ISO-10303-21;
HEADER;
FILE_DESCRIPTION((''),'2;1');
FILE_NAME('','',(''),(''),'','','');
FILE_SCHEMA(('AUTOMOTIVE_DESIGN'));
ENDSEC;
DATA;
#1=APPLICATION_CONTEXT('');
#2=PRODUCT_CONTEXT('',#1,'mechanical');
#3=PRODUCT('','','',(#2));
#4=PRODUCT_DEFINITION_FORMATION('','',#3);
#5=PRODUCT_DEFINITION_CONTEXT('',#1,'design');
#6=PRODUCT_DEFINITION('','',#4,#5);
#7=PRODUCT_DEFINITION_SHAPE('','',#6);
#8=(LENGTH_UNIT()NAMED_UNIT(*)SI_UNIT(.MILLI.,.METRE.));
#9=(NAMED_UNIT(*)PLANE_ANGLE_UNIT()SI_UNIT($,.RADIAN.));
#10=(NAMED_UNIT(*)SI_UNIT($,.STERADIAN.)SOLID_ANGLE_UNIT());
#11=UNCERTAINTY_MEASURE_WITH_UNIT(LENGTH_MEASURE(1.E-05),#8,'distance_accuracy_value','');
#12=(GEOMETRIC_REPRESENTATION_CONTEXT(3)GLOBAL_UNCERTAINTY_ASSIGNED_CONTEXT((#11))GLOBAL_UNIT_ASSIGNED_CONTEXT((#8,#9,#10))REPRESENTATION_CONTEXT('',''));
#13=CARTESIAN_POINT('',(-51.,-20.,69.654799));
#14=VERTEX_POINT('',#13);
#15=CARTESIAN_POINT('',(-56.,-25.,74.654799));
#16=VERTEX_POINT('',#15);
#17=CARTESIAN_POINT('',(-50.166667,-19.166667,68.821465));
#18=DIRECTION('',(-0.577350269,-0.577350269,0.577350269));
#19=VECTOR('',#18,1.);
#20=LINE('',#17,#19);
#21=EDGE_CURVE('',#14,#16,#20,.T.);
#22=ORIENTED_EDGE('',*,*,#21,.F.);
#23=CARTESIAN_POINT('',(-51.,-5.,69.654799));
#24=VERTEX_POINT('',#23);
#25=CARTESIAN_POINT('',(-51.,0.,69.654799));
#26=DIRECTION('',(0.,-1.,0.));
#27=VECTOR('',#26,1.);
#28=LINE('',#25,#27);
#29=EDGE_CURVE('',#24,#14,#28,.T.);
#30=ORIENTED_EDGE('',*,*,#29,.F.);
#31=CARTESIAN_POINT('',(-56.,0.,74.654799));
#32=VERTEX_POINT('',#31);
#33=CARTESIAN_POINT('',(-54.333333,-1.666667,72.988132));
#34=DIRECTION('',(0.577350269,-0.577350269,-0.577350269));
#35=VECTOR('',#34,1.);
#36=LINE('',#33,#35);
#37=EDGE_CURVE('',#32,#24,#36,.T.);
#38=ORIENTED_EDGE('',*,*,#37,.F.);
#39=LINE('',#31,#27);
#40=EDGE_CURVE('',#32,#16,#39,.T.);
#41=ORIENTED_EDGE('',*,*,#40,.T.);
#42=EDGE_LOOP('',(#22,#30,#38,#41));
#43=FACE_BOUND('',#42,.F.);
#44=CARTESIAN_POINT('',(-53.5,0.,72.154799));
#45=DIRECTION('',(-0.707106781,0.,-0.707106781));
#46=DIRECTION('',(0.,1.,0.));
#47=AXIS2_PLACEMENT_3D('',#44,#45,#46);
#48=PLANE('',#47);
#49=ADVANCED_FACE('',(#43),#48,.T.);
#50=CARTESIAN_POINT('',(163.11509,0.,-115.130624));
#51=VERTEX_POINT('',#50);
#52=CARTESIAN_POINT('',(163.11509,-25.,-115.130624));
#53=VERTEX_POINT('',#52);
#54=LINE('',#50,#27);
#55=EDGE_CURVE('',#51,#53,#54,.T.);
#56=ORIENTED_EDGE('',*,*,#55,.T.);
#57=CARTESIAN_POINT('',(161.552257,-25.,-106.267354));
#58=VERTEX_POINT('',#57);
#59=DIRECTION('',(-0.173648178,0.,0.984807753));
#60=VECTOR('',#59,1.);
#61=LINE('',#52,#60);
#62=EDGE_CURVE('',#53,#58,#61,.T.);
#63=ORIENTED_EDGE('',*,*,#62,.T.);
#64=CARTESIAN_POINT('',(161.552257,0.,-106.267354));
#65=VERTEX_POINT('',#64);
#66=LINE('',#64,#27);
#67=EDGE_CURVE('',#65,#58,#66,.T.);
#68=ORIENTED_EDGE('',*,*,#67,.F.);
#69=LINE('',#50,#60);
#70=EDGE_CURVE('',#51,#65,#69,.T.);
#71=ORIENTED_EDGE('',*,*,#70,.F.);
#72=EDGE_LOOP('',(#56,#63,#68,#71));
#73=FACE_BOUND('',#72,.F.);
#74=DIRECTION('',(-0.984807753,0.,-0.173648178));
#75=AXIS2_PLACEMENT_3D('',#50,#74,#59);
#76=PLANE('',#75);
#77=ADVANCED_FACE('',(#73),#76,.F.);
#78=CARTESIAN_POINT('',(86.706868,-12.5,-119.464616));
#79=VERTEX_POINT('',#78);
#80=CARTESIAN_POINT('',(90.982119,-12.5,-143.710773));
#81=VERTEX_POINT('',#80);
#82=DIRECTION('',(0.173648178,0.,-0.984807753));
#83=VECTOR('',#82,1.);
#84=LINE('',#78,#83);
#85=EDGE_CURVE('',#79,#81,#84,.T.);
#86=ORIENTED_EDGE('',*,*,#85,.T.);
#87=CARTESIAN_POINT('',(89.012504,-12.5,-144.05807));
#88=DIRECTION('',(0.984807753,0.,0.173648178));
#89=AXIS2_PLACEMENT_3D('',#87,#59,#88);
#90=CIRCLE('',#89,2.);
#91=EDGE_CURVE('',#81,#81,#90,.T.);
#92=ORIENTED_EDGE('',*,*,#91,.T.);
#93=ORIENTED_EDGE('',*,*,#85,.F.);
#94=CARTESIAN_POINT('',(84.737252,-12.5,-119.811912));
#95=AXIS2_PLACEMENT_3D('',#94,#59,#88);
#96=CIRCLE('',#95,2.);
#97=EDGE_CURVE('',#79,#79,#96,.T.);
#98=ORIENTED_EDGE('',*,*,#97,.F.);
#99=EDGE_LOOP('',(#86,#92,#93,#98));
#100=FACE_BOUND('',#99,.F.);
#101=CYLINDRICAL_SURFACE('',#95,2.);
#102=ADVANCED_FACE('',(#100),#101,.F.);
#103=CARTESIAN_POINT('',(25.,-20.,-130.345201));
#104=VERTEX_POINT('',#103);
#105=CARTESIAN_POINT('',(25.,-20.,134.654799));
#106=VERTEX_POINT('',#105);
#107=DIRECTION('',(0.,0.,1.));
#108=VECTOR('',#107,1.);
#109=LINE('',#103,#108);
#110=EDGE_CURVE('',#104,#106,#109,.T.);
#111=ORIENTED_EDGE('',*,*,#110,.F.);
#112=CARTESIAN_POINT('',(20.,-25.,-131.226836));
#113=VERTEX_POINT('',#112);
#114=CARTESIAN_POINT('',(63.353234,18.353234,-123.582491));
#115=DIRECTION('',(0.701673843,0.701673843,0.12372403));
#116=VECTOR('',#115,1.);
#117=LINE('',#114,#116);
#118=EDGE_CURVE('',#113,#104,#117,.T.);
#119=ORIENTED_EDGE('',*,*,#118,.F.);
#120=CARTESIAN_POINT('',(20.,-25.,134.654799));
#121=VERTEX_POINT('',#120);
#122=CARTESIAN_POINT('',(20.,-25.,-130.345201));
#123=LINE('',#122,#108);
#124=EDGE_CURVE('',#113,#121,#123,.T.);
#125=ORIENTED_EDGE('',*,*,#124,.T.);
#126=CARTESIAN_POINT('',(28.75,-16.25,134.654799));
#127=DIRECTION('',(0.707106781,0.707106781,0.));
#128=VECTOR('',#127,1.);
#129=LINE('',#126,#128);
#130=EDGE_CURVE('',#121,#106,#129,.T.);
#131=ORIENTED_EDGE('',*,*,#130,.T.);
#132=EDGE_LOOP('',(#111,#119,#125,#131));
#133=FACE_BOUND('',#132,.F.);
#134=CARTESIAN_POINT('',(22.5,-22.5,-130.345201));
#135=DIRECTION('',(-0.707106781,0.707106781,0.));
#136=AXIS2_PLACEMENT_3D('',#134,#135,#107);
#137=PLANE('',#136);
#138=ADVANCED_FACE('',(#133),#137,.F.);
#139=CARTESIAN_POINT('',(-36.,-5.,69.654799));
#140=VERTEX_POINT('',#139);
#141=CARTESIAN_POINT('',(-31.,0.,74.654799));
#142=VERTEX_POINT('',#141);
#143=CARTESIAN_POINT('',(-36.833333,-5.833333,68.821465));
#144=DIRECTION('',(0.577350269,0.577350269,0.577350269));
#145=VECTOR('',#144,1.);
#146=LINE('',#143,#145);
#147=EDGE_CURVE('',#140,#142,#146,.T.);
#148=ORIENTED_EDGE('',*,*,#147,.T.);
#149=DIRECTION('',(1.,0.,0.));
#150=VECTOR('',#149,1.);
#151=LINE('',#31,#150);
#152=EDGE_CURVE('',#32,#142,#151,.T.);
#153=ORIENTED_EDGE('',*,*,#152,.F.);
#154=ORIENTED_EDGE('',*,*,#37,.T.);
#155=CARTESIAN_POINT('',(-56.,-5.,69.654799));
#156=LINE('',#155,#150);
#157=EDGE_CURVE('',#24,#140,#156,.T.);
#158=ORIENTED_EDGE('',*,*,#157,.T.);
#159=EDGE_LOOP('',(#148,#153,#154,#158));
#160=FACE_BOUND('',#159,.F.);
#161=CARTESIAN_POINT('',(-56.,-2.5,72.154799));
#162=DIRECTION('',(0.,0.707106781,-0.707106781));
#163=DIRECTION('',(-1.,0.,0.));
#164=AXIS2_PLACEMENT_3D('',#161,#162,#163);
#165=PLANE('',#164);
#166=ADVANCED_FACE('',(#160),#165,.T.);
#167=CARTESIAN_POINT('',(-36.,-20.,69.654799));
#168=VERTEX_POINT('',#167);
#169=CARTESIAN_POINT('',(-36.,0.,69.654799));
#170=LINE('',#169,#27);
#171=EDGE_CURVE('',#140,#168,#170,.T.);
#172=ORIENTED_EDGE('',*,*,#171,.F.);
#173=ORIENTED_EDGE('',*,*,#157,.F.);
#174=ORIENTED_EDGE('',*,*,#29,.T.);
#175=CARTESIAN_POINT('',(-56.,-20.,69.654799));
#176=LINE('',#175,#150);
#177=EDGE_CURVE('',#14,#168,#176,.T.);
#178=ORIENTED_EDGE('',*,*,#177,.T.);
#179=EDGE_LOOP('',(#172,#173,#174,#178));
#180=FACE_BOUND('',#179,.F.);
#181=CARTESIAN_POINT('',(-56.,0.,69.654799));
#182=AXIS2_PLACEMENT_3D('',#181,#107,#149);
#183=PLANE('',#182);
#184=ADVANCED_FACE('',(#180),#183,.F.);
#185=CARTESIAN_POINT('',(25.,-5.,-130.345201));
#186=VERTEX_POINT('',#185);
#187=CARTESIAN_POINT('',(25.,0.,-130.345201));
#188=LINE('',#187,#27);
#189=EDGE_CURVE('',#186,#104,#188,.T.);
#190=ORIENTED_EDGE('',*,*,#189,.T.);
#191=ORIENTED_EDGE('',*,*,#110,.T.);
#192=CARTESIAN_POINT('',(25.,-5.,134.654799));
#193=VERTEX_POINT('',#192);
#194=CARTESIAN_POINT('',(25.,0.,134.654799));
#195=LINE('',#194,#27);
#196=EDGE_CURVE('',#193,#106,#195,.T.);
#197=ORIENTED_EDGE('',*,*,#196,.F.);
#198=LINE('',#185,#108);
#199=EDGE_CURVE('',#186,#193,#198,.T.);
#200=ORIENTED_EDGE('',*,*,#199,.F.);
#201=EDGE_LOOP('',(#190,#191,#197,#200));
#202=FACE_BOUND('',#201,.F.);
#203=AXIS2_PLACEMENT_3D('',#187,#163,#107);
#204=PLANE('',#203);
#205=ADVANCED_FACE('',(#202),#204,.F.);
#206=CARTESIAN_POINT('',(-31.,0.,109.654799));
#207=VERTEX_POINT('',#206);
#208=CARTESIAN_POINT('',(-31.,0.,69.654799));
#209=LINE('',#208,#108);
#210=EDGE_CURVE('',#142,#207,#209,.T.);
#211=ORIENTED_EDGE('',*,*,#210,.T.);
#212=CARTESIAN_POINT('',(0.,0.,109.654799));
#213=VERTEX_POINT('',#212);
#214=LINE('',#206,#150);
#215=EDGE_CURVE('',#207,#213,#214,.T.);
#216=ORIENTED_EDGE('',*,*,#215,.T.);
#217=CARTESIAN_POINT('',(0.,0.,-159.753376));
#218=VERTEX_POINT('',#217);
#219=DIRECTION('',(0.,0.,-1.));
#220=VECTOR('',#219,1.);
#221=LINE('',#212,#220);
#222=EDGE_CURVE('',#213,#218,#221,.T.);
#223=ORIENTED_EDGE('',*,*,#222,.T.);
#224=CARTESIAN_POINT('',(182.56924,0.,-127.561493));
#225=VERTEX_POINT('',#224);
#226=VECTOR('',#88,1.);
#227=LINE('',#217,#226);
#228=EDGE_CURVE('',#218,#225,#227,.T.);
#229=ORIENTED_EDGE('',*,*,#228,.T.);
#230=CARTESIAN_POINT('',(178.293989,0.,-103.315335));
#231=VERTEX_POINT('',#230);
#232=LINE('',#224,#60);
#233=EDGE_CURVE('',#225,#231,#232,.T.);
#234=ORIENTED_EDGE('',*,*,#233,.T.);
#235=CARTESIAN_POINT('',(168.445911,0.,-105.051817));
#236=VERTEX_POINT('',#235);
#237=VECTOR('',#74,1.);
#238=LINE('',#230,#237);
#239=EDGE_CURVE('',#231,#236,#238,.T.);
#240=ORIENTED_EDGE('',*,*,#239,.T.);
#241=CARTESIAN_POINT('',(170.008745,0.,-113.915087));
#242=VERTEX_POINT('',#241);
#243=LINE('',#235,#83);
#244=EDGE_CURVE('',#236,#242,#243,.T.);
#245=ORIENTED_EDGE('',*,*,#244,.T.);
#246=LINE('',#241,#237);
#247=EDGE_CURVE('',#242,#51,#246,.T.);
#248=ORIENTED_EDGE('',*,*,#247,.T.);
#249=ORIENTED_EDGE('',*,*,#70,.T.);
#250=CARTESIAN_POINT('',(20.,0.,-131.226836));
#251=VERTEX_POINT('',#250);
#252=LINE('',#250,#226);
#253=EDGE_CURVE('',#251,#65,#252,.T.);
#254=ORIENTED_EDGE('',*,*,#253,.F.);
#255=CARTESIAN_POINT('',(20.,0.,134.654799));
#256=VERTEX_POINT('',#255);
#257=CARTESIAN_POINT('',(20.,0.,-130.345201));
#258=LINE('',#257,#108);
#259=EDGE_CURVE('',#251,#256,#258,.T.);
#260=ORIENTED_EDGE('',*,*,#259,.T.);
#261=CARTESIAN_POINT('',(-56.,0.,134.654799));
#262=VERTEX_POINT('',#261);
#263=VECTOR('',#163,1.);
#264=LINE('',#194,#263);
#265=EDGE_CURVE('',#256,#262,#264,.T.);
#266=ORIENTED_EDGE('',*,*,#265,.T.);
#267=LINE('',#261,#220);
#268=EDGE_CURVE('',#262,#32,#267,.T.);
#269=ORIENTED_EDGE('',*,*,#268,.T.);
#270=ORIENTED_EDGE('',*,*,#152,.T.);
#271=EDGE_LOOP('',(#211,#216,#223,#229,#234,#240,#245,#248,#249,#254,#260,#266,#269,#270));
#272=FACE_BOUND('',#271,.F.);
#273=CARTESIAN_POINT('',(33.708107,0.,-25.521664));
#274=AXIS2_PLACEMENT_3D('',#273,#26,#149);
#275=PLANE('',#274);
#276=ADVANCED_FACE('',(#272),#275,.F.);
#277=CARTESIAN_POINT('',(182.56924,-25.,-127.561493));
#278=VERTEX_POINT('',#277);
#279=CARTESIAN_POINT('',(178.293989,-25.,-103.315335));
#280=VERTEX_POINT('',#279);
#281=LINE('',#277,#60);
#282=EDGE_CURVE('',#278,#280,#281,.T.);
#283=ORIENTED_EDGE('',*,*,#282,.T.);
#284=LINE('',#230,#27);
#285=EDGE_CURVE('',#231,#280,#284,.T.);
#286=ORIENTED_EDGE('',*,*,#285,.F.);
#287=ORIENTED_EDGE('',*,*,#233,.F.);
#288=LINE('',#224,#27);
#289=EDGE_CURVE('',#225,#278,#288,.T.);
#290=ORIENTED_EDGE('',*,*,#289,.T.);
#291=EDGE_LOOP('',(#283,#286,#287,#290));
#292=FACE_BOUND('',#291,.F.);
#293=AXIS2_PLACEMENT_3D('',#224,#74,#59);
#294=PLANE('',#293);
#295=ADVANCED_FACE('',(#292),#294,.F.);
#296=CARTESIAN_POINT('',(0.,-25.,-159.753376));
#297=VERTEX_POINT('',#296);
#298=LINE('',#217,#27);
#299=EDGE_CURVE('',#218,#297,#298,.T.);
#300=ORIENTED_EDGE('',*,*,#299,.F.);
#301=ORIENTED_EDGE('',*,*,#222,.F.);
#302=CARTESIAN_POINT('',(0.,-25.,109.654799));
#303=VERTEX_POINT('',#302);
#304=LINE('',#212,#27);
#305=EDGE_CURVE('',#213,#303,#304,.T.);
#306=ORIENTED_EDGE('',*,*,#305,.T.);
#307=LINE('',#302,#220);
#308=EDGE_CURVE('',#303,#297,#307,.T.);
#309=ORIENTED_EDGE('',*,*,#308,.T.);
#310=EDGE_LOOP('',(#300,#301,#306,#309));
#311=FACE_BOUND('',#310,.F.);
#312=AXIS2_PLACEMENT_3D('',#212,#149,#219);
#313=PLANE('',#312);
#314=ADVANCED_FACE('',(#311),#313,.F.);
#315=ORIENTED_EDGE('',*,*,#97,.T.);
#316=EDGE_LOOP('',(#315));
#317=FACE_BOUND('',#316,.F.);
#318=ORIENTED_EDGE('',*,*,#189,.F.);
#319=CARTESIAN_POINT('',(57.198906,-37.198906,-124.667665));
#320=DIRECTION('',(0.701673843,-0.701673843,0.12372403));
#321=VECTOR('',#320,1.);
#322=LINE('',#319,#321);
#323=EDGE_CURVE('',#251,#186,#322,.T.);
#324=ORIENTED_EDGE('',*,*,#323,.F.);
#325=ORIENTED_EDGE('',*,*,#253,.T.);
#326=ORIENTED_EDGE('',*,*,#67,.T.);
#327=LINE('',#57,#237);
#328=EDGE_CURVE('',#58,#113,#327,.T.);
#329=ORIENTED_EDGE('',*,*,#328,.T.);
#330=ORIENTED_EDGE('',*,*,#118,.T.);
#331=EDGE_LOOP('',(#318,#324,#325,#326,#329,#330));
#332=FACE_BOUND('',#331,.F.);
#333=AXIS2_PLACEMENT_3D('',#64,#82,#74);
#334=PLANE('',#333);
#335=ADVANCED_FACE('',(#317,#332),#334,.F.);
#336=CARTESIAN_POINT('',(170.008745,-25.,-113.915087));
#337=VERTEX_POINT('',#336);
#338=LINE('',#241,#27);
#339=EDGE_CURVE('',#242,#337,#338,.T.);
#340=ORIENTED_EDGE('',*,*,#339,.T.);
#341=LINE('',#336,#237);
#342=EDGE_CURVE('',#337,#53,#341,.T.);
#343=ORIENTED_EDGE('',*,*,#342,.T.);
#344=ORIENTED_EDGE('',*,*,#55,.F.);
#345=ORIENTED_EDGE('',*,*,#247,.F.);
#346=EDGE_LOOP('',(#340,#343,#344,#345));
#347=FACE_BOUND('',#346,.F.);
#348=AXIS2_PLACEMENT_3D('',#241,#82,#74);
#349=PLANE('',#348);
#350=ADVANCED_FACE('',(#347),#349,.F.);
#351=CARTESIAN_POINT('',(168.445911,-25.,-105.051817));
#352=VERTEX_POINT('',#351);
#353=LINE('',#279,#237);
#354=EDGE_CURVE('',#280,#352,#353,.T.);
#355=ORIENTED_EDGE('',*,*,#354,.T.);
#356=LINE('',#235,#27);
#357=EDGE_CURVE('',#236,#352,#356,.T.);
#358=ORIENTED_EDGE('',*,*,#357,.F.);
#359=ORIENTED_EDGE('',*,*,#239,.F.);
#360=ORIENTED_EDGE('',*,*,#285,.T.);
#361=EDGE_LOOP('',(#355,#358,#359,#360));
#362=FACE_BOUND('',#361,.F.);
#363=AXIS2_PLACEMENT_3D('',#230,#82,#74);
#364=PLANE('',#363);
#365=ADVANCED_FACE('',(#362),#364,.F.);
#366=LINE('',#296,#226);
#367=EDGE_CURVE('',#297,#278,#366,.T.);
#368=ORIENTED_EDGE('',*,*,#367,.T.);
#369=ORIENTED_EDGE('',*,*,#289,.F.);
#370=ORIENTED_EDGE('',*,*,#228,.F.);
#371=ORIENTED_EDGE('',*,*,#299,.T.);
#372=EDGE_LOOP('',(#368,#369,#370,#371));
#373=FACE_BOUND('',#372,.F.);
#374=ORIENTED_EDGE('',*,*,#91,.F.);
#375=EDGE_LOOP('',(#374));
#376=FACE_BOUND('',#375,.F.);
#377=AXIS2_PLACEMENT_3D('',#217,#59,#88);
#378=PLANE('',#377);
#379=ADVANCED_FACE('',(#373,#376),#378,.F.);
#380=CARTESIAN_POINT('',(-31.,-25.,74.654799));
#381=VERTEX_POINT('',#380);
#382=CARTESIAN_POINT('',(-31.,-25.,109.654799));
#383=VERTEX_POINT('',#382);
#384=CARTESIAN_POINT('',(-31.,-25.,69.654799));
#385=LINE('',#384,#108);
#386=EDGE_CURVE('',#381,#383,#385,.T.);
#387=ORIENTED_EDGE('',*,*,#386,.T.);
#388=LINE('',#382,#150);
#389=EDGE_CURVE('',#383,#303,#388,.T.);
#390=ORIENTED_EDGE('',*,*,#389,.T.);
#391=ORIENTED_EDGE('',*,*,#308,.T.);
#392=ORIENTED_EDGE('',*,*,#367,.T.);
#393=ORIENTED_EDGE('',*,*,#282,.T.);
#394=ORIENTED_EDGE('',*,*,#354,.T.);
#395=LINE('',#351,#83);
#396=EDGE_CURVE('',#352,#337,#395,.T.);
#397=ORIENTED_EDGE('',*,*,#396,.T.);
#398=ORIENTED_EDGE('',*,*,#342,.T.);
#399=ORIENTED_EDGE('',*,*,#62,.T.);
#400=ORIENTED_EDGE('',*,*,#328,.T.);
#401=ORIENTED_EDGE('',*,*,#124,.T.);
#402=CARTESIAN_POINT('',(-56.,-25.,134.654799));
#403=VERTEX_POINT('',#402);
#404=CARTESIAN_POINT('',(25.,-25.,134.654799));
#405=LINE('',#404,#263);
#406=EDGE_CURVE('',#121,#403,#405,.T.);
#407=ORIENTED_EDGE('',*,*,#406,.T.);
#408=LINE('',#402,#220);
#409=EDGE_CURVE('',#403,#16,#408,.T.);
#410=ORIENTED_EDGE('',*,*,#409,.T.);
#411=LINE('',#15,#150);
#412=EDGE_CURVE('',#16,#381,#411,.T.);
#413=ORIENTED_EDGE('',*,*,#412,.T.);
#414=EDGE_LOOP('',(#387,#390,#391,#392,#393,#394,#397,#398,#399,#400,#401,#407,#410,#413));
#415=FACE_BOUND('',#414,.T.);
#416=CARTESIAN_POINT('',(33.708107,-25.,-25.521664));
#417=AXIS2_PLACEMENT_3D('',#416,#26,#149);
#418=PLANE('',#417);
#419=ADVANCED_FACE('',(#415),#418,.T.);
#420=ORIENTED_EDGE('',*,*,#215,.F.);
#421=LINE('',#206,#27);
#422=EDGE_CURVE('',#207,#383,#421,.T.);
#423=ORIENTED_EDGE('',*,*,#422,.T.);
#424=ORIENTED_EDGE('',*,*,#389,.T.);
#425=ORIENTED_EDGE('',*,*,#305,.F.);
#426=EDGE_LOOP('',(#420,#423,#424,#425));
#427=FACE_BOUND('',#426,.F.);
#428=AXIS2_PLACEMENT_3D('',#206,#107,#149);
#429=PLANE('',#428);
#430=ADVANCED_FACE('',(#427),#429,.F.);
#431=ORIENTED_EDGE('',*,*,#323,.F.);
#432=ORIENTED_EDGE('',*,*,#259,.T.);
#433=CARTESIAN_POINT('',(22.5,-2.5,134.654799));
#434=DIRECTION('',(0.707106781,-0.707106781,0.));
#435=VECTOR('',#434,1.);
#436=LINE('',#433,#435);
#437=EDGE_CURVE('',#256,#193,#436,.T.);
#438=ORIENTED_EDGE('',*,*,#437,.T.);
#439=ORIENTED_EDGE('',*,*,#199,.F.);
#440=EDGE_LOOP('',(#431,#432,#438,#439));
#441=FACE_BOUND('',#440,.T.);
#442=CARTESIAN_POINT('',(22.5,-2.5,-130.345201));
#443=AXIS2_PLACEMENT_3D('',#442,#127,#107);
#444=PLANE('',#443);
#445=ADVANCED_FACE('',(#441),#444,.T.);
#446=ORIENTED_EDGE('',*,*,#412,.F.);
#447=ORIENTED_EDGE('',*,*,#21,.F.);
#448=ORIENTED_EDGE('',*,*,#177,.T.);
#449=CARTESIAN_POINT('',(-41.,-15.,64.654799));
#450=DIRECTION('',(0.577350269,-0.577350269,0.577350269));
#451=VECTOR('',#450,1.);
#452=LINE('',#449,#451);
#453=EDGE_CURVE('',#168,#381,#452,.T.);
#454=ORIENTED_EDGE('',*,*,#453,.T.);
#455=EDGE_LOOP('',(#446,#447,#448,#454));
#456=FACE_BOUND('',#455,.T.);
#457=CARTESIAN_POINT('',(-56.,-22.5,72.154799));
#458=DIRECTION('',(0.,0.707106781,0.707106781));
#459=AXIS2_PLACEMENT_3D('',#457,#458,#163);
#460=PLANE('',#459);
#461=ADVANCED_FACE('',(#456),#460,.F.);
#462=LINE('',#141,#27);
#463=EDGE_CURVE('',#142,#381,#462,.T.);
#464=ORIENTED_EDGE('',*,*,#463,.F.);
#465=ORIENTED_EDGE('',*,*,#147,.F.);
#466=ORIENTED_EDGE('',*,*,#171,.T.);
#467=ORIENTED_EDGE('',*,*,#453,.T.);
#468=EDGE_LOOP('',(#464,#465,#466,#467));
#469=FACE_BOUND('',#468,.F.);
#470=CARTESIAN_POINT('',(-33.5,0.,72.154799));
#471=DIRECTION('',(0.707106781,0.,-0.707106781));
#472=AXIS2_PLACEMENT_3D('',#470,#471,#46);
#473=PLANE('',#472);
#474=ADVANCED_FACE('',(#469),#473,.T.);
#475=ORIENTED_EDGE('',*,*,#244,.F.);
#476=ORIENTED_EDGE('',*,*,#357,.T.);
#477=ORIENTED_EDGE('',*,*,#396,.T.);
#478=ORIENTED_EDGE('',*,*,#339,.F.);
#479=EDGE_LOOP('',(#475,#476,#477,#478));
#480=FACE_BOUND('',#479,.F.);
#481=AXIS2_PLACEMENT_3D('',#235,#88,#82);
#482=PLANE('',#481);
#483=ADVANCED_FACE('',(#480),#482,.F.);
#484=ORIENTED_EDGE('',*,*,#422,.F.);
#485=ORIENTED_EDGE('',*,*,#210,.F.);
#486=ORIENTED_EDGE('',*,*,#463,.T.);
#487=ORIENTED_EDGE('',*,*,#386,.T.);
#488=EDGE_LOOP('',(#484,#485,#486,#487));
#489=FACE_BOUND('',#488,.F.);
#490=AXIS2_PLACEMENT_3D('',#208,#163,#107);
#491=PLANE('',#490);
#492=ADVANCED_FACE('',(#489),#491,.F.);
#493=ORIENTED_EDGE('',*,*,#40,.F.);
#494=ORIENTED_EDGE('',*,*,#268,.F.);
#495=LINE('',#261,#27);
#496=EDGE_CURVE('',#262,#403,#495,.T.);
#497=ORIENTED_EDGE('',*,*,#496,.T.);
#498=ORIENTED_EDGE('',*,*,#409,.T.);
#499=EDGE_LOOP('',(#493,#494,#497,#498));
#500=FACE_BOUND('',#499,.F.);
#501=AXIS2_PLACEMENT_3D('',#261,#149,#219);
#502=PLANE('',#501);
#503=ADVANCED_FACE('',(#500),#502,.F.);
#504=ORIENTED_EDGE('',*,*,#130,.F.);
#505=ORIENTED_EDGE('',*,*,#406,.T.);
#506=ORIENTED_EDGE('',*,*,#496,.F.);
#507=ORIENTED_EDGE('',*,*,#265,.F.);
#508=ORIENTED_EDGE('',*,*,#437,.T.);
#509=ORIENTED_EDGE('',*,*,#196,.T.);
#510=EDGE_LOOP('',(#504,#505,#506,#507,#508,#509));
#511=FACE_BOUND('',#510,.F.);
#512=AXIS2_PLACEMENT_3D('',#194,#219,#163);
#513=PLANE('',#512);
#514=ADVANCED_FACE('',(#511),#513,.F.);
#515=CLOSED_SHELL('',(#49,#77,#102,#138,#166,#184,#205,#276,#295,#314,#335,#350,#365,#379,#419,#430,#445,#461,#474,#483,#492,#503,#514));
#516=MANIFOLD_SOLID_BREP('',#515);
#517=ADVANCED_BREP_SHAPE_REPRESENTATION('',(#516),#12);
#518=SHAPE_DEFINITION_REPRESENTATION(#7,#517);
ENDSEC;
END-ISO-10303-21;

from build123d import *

# Parameters (mm, degrees)
F1_DEPTH = 25
F2_R     = 2
F3_DEPTH = 27
F4_SIZE  = 5


with BuildPart() as f1:
    # F0 (on Front) → F1 (new body)
    with BuildSketch(Plane.XZ):
        Polygon((-56, 134.6547987339), (-56, 69.6547987339), (-31, 69.6547987339), (-31, 109.6547987339), (0, 109.6547987339), (0, -155.3452012661), (0, -159.7533757838), (25, -155.3452012661), (182.569240482, -127.5614928394), (178.2939886904, -103.3153350796), (168.4459111603, -105.0518168562), (170.0087447593, -113.9150866333), (163.1150904882, -115.130623877), (161.5522568892, -106.2673540999), (25, -130.3452012661), (25, 134.6547987339), align=None)
    extrude(amount=F1_DEPTH)

    # F2 (on face) → F3 (cut)
    with BuildSketch(Plane(origin=(23.0441844496, 0, -130.6900643169), x_dir=(0.984807753, 0, 0.1736481777), z_dir=(-0.1736481777, 0, 0.984807753))):
        with Locations((62.6447827161, -12.5)):
            Circle(F2_R)
    extrude(amount=-F3_DEPTH, mode=Mode.SUBTRACT)

    # F4
    f4_edges = [f1.edges().sort_by_distance(p)[0] for p in [
        (25, -25, 2.154799),
        (25, 0, 2.154799),
        (-43.5, -25, 69.654799),
        (-56, -12.5, 69.654799),
        (-31, -12.5, 69.654799),
        (-43.5, 0, 69.654799),
    ]]
    chamfer(f4_edges, length=F4_SIZE)


solid = f1.part
